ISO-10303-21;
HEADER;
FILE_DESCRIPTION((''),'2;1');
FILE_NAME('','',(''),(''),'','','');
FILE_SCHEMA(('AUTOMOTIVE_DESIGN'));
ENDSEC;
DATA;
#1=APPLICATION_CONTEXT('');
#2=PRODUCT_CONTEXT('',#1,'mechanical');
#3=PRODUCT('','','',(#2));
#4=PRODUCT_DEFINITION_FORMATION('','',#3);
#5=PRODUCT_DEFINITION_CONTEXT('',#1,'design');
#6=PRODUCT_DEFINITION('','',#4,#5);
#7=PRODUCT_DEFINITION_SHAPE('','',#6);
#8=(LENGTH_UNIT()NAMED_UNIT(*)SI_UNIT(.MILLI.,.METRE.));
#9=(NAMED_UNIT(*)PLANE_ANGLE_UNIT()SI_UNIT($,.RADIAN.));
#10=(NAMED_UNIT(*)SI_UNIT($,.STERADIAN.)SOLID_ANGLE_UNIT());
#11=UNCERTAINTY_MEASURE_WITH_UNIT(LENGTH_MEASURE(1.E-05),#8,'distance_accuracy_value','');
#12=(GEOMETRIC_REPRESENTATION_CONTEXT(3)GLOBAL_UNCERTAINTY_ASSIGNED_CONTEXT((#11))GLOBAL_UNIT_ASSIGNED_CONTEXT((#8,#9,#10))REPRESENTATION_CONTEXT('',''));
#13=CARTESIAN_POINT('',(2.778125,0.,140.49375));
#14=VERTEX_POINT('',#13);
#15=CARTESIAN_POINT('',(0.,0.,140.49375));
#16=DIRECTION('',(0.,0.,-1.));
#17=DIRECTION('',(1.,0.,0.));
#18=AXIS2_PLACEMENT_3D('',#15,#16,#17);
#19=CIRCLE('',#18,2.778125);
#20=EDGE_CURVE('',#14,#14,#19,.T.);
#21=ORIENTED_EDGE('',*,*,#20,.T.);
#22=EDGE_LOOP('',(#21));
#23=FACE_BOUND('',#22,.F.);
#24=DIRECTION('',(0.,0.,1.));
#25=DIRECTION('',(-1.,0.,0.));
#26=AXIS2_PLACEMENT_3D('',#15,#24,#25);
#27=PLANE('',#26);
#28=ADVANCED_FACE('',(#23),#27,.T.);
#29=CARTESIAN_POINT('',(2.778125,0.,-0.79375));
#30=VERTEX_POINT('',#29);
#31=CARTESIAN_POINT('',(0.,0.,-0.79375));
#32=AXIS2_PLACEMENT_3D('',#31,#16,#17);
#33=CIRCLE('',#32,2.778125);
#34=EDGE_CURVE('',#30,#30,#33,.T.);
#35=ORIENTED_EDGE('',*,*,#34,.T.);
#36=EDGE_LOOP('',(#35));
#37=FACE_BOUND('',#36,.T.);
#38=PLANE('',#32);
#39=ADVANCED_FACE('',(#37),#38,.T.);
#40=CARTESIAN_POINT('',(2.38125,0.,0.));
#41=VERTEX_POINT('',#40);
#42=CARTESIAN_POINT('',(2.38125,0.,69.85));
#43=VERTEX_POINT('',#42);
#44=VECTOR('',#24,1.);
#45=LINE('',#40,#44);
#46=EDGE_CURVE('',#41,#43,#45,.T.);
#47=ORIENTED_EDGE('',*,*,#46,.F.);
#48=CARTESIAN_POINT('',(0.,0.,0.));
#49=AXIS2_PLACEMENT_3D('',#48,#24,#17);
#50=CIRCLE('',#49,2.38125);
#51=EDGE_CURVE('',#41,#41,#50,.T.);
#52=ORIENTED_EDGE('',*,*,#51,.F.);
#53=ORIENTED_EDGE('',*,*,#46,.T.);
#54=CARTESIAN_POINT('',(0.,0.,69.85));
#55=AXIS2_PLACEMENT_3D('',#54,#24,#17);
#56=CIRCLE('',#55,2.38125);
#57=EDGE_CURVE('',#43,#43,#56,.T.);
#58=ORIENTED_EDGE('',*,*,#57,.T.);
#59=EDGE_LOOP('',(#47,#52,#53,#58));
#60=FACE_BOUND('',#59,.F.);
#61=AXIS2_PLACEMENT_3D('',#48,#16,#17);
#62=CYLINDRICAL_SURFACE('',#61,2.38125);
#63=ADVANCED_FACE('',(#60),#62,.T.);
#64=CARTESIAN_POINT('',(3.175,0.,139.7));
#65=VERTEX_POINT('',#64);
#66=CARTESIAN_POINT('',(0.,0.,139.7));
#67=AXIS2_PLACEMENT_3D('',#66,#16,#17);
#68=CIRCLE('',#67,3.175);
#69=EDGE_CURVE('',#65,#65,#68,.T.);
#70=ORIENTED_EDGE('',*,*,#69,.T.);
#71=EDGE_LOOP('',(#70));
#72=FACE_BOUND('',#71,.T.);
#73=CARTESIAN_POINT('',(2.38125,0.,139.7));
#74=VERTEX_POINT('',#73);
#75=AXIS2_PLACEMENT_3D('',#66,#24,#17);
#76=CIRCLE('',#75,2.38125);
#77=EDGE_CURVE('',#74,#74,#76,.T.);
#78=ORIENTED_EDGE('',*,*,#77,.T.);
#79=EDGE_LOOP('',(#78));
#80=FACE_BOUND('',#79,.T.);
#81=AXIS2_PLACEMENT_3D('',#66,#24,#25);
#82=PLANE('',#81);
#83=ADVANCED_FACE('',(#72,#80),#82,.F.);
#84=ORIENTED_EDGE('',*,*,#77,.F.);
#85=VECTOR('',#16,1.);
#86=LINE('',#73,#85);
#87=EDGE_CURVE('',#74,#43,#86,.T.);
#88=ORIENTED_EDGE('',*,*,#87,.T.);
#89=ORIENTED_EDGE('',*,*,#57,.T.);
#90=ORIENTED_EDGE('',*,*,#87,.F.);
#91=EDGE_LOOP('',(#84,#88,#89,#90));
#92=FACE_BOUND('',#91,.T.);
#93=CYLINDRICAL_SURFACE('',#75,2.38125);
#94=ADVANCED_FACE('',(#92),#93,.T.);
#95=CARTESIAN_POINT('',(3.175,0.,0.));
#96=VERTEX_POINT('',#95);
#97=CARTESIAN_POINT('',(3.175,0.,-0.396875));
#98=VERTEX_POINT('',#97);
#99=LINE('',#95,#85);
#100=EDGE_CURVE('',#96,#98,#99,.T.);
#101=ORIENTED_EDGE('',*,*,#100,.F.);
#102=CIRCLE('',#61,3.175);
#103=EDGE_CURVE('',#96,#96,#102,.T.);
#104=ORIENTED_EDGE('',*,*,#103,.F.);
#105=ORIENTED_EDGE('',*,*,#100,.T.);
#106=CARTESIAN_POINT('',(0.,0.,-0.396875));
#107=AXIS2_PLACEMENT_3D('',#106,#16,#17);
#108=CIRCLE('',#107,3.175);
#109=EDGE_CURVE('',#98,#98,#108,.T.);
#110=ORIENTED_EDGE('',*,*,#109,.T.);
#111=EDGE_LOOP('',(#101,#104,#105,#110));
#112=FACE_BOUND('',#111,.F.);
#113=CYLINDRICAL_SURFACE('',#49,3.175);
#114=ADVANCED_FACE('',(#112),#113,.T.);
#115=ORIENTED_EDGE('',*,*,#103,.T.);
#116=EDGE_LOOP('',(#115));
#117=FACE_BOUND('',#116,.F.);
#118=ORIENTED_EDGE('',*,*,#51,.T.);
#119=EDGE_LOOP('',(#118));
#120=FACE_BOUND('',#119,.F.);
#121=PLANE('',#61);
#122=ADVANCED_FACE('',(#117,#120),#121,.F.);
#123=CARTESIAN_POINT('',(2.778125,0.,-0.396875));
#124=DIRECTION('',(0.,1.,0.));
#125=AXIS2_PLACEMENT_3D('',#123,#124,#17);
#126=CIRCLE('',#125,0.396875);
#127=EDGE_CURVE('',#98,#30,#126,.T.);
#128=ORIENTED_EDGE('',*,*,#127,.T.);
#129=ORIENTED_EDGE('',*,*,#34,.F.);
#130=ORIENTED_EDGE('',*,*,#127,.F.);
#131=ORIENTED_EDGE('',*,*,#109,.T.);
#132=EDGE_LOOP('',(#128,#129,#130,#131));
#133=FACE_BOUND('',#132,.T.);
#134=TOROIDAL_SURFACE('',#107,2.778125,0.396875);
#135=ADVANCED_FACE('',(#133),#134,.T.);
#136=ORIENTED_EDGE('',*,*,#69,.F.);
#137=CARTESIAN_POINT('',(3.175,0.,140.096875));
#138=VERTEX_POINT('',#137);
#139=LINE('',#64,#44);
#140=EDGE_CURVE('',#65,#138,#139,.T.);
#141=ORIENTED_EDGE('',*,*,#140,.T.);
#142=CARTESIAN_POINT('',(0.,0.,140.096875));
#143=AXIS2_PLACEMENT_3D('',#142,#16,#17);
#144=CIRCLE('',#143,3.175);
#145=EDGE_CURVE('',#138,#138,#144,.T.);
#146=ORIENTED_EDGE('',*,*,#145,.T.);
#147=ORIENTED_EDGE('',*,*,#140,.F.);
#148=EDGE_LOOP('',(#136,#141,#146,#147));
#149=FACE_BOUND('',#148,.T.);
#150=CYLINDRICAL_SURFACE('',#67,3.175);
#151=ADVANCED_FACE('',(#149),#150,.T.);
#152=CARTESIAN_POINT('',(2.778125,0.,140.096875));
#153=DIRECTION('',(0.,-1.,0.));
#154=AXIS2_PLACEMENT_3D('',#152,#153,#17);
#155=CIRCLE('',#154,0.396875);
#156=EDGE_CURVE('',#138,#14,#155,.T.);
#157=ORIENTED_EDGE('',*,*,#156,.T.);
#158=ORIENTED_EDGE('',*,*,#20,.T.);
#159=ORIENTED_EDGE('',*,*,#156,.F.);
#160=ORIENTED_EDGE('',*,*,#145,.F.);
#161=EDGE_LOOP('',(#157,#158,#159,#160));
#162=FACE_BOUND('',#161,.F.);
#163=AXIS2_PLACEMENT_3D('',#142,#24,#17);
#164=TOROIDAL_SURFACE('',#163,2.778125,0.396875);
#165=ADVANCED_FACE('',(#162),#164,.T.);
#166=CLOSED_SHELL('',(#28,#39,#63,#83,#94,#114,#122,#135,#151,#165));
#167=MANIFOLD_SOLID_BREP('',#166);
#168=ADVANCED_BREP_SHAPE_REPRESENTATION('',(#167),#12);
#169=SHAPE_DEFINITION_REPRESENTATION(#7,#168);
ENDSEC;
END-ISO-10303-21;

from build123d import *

# Parameters (mm, degrees)
F0_R     = 2.38125
F1_DEPTH = 69.85
F2_R     = 3.175
F3_DEPTH = 0.79375
F4_R     = 0.396875


with BuildPart() as f1:
    # F0 (on Top) → F1 (new body)
    with BuildSketch(Plane.XY):
        Circle(F0_R)
    extrude(amount=F1_DEPTH)

    # F2 (on face) → F3 (join)
    with BuildSketch(Plane(origin=(0, 0, 0), x_dir=(1, 0, 0), z_dir=(0, 0, -1))):
        Circle(F2_R)
    extrude(amount=F3_DEPTH)

    # F4
    f4_edges = [f1.edges().sort_by_distance(p)[0] for p in [
        (-3.175, 0, -0.79375),
    ]]
    fillet(f4_edges, radius=F4_R)

    # F5: F1 across face


with BuildPart() as f1_1:
    add(f1.part)
    add(f1.part.mirror(Plane.XY.offset(69.85)))


solid = f1_1.part
